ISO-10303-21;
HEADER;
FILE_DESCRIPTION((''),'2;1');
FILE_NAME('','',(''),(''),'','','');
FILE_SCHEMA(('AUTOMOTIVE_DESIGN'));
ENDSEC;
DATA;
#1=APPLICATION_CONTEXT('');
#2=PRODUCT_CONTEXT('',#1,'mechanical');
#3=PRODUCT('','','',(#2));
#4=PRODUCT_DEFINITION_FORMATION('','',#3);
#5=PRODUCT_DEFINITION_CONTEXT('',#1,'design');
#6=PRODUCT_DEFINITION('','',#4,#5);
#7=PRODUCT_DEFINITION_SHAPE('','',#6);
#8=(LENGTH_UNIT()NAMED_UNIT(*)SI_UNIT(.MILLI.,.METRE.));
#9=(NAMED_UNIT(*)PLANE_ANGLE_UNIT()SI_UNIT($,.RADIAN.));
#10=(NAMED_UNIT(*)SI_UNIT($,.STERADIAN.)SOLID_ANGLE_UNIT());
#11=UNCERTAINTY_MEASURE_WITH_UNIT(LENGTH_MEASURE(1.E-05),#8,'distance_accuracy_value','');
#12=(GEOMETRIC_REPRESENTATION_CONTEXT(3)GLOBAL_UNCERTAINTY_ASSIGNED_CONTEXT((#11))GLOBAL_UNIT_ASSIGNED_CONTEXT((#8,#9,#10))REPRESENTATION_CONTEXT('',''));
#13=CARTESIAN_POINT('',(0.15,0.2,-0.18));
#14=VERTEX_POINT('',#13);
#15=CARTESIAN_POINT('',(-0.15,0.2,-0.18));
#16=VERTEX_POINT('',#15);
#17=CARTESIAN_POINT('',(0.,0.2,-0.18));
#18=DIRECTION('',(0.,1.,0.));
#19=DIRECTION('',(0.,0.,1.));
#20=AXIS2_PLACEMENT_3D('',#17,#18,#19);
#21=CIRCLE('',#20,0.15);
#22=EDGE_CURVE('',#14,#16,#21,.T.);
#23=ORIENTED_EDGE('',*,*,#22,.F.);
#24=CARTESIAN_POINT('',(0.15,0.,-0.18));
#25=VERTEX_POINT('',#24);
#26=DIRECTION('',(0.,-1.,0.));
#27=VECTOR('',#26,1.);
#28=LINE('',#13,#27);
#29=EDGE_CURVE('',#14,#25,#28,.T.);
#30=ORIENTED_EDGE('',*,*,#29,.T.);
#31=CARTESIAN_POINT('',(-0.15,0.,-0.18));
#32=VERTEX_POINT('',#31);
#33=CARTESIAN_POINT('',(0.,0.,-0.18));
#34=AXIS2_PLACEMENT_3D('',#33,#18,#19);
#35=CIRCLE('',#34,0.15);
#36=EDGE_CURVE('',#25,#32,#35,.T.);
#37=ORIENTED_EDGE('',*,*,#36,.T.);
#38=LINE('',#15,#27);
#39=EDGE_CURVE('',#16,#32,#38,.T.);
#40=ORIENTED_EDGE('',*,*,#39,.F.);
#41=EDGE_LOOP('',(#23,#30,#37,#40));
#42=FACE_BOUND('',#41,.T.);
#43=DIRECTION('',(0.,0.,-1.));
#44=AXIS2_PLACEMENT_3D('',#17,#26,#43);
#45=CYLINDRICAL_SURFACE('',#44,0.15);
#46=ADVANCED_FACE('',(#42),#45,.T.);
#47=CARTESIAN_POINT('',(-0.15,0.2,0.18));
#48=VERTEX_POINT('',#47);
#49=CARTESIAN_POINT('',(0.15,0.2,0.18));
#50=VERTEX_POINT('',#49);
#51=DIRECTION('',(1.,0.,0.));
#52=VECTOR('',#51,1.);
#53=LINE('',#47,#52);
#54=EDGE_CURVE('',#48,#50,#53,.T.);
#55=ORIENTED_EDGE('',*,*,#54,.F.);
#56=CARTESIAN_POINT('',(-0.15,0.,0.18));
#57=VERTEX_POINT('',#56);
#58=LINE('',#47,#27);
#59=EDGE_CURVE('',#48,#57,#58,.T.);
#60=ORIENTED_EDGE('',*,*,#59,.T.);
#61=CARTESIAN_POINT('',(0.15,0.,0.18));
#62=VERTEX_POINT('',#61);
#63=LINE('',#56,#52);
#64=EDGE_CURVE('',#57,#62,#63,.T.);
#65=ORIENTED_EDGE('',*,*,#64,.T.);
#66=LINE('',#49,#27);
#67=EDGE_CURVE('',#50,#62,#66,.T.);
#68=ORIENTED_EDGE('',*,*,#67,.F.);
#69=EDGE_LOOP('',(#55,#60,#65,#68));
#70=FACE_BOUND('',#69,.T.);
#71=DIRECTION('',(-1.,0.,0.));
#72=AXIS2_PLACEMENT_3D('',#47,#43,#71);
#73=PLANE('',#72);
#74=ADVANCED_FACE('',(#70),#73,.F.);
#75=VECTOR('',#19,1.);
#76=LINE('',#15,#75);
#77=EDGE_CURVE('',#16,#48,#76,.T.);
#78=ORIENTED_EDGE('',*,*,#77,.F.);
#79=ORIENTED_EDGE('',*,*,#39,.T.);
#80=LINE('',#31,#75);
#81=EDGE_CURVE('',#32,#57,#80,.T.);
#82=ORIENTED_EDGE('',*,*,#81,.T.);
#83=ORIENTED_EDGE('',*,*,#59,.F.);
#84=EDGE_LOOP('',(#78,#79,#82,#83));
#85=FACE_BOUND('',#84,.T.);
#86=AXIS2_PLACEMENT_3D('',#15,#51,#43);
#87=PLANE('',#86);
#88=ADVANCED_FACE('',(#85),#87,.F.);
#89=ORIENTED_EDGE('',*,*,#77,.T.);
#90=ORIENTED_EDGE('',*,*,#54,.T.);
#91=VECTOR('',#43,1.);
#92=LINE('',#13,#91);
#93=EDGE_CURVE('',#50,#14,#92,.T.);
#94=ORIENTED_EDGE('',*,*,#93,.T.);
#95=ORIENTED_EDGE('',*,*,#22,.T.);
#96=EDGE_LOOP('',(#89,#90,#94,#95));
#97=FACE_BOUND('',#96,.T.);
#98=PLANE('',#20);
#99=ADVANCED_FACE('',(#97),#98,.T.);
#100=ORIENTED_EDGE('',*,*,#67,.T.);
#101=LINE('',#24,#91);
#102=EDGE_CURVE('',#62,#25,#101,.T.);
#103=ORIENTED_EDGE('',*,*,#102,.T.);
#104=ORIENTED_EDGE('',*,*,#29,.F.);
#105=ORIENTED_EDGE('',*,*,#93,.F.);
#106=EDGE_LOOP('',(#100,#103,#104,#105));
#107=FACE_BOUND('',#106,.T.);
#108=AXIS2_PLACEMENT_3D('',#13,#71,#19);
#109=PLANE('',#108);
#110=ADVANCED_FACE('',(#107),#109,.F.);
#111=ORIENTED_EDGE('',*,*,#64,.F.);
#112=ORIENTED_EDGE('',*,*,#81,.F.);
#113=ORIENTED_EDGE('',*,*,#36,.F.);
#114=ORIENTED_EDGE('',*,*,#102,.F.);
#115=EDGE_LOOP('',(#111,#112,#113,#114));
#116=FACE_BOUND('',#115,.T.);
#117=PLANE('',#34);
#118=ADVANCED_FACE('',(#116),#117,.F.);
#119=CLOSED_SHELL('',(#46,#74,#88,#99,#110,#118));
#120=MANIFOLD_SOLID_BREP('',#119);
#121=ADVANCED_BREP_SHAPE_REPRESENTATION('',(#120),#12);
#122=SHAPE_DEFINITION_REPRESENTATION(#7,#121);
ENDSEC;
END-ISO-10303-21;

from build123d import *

# Parameters (mm, degrees)
BOSS_EXTRUDE1_DEPTH = 0.2


with BuildPart() as part:
    # Sketch1 → Boss-Extrude1 (new body)
    with BuildSketch(Plane(origin=(0, 0, 0), x_dir=(1, 0, 0), z_dir=(0, 1, 0))):
        with BuildLine():
            Line((-0.15, 0.18), (-0.15, -0.18))
            Line((-0.15, -0.18), (0.15, -0.18))
            Line((0.15, -0.18), (0.15, 0.18))
            ThreePointArc((0.15, 0.18), (0, 0.33), (-0.15, 0.18))
        make_face()
    extrude(amount=BOSS_EXTRUDE1_DEPTH)


solid = part.part
